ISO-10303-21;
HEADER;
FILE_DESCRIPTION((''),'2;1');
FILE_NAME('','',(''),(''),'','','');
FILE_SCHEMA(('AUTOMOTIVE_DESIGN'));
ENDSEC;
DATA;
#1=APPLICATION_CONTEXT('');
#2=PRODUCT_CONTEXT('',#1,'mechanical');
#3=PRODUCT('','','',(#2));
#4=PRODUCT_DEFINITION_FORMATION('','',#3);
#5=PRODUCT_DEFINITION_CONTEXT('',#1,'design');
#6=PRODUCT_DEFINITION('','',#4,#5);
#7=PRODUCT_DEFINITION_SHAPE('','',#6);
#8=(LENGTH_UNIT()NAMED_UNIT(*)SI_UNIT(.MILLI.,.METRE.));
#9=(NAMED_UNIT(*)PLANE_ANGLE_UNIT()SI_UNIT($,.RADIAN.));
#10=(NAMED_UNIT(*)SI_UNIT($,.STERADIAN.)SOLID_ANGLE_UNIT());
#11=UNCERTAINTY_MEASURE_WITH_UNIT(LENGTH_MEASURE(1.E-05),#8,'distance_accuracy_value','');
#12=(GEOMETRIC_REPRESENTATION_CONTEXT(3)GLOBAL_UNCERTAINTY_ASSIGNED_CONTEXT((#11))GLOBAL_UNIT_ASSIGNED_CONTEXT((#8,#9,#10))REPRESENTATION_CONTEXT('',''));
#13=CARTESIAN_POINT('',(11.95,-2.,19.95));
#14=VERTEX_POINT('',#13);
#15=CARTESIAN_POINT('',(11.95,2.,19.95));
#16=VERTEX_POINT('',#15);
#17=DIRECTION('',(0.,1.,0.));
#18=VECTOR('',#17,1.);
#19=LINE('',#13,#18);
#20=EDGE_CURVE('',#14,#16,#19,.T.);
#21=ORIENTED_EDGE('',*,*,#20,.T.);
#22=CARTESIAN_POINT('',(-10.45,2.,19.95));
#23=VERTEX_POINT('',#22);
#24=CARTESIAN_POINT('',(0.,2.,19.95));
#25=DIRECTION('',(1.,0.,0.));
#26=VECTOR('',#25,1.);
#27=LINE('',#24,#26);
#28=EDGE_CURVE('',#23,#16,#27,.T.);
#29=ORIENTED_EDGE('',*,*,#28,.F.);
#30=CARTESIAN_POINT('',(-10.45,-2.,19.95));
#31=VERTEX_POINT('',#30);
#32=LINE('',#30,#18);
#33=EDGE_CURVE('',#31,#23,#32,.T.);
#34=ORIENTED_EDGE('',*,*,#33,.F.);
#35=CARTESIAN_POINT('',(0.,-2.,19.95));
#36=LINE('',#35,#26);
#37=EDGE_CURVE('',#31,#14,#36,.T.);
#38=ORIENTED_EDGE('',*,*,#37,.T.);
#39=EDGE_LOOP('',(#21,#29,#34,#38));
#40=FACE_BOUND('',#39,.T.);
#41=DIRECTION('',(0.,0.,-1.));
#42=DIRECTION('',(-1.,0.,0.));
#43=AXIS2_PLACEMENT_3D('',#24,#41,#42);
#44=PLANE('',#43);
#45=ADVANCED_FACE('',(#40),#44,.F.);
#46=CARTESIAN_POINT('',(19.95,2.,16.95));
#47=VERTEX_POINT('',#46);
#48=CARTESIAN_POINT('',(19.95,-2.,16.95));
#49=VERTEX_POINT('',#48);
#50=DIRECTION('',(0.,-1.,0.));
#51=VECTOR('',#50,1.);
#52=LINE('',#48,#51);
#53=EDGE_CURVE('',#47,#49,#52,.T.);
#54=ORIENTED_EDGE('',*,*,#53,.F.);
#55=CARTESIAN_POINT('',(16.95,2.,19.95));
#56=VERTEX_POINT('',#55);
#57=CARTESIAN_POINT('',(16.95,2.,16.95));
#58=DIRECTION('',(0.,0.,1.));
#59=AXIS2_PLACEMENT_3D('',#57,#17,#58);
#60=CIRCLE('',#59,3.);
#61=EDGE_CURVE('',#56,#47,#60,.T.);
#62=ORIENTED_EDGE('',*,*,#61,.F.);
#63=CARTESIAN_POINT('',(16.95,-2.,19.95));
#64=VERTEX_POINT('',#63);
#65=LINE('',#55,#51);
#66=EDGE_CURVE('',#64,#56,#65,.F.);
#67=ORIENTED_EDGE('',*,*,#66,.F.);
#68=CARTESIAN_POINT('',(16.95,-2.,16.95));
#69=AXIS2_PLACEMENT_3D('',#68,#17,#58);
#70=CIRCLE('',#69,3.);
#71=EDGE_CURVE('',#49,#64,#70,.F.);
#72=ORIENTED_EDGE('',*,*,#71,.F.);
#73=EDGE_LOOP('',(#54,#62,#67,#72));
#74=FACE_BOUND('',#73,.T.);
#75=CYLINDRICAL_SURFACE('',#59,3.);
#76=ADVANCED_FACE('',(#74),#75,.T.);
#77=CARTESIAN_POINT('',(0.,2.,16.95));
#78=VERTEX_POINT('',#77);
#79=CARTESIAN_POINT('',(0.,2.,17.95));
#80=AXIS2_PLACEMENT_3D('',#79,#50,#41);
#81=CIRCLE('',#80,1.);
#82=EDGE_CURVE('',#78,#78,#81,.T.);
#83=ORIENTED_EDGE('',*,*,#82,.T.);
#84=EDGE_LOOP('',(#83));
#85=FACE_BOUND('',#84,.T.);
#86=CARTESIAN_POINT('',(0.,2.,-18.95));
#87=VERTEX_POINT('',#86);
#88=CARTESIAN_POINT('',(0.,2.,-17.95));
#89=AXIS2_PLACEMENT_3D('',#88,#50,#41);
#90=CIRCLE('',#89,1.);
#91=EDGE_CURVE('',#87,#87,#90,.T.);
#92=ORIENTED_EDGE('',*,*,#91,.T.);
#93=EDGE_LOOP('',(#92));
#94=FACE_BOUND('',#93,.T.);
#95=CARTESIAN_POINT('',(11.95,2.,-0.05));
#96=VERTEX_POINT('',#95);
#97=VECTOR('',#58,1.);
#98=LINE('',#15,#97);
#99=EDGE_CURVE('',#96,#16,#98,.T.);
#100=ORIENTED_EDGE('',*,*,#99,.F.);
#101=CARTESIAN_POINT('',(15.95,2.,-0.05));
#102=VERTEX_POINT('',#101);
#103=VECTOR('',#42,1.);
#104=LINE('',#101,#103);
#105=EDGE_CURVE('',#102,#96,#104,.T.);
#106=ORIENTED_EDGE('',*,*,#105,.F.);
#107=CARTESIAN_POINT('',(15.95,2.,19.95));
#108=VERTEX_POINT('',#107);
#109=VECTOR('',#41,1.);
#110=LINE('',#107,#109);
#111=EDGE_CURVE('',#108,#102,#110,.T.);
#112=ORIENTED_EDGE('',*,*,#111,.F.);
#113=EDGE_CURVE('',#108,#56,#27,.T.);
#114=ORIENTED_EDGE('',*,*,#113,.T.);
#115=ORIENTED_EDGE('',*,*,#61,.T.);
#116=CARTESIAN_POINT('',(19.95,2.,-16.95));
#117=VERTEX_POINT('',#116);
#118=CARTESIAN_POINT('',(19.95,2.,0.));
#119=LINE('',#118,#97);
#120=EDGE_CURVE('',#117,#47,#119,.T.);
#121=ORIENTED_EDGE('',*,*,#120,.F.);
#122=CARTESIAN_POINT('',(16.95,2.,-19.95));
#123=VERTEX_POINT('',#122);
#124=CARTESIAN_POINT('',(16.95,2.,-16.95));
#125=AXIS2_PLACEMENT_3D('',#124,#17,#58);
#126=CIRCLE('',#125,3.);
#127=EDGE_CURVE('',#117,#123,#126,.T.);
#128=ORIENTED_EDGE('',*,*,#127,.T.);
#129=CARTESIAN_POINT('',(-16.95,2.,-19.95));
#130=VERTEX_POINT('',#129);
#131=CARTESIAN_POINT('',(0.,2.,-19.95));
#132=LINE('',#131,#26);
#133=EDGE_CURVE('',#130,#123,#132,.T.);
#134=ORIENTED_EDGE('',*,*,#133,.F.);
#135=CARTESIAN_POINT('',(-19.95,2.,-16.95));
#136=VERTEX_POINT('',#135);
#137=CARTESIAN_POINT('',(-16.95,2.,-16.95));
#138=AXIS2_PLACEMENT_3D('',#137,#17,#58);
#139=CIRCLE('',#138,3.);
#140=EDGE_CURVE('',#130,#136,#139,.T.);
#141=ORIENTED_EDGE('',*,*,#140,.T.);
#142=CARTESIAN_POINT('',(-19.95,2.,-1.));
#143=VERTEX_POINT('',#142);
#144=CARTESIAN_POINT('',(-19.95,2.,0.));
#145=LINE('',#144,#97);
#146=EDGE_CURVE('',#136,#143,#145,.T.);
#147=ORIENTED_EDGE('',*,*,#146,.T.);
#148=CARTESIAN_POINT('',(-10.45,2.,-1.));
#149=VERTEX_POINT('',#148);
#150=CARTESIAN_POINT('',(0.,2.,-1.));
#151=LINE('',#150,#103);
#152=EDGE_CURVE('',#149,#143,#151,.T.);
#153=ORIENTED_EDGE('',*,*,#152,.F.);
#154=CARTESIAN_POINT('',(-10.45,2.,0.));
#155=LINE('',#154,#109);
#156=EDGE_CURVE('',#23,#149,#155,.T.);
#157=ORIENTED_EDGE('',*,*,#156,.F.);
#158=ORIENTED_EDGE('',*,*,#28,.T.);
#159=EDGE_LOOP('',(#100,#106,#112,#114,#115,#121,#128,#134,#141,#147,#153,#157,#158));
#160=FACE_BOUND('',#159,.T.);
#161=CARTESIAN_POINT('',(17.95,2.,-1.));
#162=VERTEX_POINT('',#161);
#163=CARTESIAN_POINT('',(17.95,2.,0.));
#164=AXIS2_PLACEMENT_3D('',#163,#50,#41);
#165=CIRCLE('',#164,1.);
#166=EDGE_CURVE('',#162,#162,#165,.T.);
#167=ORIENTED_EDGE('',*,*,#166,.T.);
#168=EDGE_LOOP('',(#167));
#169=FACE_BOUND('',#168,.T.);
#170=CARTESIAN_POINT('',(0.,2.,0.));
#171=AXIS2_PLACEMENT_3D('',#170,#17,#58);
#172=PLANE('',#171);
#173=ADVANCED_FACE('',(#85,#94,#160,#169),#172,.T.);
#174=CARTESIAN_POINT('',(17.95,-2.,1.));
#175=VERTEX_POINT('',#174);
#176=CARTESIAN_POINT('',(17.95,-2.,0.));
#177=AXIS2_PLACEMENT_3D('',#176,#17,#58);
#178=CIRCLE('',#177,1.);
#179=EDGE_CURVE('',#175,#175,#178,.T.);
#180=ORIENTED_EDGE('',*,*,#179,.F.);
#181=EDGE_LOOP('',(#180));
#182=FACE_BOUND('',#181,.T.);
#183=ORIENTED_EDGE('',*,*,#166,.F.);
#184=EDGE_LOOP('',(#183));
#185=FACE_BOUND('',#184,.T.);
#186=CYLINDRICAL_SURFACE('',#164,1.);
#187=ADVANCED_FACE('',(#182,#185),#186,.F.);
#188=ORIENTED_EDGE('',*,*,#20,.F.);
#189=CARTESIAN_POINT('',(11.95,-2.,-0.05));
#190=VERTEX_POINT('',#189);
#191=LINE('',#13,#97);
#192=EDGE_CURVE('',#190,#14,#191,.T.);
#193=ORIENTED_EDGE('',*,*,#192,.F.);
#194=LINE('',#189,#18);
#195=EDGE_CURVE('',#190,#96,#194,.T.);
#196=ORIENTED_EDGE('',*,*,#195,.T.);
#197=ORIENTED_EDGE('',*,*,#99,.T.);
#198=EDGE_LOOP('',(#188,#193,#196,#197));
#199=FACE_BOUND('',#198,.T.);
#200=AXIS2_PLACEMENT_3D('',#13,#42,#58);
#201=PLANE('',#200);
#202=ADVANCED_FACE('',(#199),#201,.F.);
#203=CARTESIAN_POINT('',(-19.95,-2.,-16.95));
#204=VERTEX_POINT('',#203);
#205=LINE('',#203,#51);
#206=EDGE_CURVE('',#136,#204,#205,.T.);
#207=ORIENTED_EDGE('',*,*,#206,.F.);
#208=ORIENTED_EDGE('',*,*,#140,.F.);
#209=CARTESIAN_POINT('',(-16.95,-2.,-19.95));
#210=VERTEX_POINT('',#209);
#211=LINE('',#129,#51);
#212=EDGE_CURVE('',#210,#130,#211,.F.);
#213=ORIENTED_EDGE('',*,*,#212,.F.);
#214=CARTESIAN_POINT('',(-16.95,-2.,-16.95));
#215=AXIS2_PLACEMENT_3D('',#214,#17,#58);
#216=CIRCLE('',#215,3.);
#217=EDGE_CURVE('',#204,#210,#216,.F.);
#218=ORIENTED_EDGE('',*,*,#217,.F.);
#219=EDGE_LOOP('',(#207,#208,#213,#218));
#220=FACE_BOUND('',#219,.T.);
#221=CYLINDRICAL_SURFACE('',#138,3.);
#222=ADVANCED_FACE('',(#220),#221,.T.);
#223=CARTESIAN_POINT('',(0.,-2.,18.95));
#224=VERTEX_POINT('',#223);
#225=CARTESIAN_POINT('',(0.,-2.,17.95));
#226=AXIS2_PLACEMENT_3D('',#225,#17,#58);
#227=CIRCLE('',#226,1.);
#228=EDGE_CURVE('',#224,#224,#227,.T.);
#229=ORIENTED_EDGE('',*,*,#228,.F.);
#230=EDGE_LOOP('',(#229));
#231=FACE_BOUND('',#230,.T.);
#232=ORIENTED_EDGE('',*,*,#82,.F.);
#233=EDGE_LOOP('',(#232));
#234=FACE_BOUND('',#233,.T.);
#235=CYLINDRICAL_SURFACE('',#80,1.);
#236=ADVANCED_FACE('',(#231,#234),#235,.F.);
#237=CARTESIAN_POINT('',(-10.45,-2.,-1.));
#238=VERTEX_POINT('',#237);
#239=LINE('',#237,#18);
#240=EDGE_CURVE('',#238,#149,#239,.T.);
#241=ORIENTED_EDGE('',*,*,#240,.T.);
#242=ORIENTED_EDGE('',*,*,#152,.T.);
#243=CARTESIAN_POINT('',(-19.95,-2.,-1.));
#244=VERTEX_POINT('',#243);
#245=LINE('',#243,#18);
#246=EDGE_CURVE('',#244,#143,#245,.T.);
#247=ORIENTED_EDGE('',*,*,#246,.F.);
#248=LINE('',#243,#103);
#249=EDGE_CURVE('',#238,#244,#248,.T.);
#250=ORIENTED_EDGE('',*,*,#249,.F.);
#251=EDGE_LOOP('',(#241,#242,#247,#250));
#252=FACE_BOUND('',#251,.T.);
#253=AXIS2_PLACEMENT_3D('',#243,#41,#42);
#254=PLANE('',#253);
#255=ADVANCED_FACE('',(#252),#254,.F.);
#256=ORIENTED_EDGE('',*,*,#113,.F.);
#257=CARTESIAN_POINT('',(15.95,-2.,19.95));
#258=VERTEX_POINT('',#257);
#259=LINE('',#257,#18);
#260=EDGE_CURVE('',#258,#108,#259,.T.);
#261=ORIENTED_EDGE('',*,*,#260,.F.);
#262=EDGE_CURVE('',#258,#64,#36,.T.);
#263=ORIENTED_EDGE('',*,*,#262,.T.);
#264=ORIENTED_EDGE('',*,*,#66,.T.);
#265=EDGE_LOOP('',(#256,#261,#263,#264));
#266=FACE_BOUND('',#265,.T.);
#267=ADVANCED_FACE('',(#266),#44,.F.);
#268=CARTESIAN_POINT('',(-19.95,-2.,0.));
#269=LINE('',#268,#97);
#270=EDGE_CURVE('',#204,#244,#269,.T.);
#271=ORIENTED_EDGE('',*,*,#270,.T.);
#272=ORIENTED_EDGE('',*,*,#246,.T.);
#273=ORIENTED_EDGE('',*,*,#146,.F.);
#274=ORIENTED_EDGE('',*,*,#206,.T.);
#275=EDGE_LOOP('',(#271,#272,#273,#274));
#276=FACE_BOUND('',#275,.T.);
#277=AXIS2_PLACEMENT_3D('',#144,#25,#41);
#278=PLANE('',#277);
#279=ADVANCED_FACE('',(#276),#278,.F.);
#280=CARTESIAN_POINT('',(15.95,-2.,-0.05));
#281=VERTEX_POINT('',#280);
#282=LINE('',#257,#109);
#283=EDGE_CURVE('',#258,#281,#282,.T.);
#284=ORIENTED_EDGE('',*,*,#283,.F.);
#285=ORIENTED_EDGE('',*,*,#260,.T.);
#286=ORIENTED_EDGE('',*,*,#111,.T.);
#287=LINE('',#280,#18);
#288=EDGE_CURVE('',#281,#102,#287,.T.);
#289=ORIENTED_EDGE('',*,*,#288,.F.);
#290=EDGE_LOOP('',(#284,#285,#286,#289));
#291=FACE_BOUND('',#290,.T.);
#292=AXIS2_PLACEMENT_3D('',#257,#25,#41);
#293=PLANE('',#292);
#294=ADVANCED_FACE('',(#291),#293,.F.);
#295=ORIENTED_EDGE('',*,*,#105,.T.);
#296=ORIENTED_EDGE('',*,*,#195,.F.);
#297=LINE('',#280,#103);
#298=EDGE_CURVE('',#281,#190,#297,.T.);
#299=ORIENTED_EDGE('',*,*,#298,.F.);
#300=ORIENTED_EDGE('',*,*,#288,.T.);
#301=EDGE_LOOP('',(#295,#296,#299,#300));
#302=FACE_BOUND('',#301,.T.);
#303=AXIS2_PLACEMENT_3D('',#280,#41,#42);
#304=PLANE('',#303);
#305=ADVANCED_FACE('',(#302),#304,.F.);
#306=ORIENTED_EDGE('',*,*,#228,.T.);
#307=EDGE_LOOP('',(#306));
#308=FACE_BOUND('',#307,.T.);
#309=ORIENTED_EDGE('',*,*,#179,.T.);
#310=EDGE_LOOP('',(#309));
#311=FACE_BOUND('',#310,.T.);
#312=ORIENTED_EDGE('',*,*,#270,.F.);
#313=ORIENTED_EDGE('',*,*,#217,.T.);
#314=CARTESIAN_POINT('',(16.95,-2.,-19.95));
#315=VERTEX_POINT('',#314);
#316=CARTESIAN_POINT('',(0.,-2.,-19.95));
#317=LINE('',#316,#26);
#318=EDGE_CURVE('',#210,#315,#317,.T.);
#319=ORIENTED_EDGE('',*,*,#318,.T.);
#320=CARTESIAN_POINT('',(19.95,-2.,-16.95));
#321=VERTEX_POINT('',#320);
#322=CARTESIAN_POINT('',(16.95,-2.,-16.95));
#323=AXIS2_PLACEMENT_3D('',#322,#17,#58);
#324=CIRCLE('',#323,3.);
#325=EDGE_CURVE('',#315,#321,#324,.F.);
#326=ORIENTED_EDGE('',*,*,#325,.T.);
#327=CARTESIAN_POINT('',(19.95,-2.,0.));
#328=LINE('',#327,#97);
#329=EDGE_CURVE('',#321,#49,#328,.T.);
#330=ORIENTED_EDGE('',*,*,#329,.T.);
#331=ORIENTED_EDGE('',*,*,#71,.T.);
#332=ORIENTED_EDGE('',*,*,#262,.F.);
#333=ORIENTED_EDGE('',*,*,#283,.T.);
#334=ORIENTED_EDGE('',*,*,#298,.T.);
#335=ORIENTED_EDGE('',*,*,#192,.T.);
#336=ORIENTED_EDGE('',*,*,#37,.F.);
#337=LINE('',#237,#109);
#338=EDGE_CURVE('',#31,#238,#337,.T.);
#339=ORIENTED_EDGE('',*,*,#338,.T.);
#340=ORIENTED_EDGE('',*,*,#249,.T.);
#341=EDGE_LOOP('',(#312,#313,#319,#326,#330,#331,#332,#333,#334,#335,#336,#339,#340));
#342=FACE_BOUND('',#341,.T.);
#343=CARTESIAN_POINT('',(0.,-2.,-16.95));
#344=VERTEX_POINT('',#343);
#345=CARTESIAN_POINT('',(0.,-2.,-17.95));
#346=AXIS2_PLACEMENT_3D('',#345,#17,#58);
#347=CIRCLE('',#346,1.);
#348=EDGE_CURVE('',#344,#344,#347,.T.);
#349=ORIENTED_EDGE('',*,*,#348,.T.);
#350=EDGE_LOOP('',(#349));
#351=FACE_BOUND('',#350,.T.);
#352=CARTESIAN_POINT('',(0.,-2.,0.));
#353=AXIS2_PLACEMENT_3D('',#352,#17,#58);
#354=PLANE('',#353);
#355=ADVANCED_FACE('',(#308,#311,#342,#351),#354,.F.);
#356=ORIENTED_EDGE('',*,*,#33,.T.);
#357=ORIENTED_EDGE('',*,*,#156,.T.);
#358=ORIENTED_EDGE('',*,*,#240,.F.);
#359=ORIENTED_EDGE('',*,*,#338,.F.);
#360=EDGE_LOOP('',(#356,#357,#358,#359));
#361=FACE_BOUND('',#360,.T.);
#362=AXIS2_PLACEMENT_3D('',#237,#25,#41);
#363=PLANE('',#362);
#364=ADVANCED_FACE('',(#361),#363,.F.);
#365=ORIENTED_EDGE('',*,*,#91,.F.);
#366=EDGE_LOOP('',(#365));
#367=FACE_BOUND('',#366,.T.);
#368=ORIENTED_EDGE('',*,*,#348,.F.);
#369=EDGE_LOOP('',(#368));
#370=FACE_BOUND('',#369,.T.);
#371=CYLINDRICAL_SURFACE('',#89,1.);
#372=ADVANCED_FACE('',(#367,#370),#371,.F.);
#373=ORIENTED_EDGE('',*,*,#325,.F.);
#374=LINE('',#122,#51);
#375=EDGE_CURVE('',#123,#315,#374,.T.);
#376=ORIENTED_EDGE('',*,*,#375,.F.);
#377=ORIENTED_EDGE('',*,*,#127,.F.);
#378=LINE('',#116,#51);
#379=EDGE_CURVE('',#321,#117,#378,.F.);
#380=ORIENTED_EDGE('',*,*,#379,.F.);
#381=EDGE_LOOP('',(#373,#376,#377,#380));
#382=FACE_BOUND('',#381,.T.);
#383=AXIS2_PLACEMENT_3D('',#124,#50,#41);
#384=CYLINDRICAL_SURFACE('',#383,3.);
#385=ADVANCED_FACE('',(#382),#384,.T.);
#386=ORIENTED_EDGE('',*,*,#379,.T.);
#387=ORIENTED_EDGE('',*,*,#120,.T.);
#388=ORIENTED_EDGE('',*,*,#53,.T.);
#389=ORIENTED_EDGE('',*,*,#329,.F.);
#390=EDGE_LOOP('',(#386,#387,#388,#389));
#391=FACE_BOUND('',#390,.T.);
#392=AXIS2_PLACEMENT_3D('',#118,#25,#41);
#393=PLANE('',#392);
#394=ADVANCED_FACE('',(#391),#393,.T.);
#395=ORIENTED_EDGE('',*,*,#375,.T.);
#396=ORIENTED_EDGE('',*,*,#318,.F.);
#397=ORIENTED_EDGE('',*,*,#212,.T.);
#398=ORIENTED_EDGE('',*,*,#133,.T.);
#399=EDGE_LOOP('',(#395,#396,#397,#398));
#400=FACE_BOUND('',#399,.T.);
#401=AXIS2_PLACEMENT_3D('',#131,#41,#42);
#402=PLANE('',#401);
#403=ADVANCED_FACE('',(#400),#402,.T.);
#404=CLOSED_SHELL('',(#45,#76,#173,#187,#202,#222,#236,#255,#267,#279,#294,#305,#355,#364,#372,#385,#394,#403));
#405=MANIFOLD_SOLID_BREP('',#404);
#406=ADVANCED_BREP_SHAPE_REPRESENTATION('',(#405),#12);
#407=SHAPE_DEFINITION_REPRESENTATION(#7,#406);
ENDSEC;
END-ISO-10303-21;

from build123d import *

# Parameters (mm, degrees)
CROQUIS1_W                 = 39.9
CROQUIS1_H                 = 39.9
SALIENTE_EXTRUIR1_DEPTH    = 2
CROQUIS7_W                 = 4
CROQUIS7_H                 = 20
CORTAR_EXTRUIR3_DEPTH      = 3
CORTAR_EXTRUIR3_DEPTH_BACK = 3
CROQUIS9_R                 = 1
CORTAR_EXTRUIR4_DEPTH      = 1
CORTAR_EXTRUIR4_DEPTH_BACK = 5
REDONDEO8_R                = 3
CROQUIS10_W                = 9.5
CROQUIS10_H                = 20.95
CORTAR_EXTRUIR5_DEPTH      = 1
CORTAR_EXTRUIR5_DEPTH_BACK = 5


with BuildPart() as part:
    # Croquis1 → Saliente-Extruir1 (new body, symmetric)
    with BuildSketch(Plane(origin=(0, 0, 0), x_dir=(1, 0, 0), z_dir=(0, 1, 0))):
        Rectangle(CROQUIS1_W, CROQUIS1_H)
    extrude(amount=SALIENTE_EXTRUIR1_DEPTH, both=True)

    # Croquis7 → Cortar-Extruir3 (cut, two sides)
    with BuildSketch(Plane(origin=(0, 0, 0), x_dir=(1, 0, 0), z_dir=(0, 1, 0))) as cortar_extruir3_sk:
        with Locations((13.95, -9.95)):
            Rectangle(CROQUIS7_W, CROQUIS7_H)
        with Locations((-13.95, -9.95)):
            Rectangle(CROQUIS7_W, CROQUIS7_H)
    extrude(amount=CORTAR_EXTRUIR3_DEPTH, mode=Mode.SUBTRACT)
    extrude(cortar_extruir3_sk.sketch, amount=-CORTAR_EXTRUIR3_DEPTH_BACK, mode=Mode.SUBTRACT)

    # Croquis9 → Cortar-Extruir4 (cut, two sides)
    with BuildSketch(Plane.XZ.offset(2)) as cortar_extruir4_sk:
        with Locations((0, 17.95)):
            Circle(CROQUIS9_R)
        with Locations((-17.95, 0)):
            Circle(CROQUIS9_R)
        with Locations((0, -17.95)):
            Circle(CROQUIS9_R)
        with Locations((17.95, 0)):
            Circle(CROQUIS9_R)
    extrude(amount=CORTAR_EXTRUIR4_DEPTH, mode=Mode.SUBTRACT)
    extrude(cortar_extruir4_sk.sketch, amount=-CORTAR_EXTRUIR4_DEPTH_BACK, mode=Mode.SUBTRACT)

    # Redondeo8
    redondeo8_edges = [part.edges().sort_by_distance(p)[0] for p in [
        (19.95, 0, 19.95),
        (-19.95, 0, 19.95),
        (-19.95, 0, -19.95),
        (19.95, 0, -19.95),
    ]]
    fillet(redondeo8_edges, radius=REDONDEO8_R)

    # Croquis10 → Cortar-Extruir5 (cut, two sides)
    with BuildSketch(Plane(origin=(0, 2, 0), x_dir=(1, 0, 0), z_dir=(0, 1, 0))) as cortar_extruir5_sk:
        with Locations((-15.2, -9.475)):
            Rectangle(CROQUIS10_W, CROQUIS10_H)
    extrude(amount=CORTAR_EXTRUIR5_DEPTH, mode=Mode.SUBTRACT)
    extrude(cortar_extruir5_sk.sketch, amount=-CORTAR_EXTRUIR5_DEPTH_BACK, mode=Mode.SUBTRACT)


solid = part.part
